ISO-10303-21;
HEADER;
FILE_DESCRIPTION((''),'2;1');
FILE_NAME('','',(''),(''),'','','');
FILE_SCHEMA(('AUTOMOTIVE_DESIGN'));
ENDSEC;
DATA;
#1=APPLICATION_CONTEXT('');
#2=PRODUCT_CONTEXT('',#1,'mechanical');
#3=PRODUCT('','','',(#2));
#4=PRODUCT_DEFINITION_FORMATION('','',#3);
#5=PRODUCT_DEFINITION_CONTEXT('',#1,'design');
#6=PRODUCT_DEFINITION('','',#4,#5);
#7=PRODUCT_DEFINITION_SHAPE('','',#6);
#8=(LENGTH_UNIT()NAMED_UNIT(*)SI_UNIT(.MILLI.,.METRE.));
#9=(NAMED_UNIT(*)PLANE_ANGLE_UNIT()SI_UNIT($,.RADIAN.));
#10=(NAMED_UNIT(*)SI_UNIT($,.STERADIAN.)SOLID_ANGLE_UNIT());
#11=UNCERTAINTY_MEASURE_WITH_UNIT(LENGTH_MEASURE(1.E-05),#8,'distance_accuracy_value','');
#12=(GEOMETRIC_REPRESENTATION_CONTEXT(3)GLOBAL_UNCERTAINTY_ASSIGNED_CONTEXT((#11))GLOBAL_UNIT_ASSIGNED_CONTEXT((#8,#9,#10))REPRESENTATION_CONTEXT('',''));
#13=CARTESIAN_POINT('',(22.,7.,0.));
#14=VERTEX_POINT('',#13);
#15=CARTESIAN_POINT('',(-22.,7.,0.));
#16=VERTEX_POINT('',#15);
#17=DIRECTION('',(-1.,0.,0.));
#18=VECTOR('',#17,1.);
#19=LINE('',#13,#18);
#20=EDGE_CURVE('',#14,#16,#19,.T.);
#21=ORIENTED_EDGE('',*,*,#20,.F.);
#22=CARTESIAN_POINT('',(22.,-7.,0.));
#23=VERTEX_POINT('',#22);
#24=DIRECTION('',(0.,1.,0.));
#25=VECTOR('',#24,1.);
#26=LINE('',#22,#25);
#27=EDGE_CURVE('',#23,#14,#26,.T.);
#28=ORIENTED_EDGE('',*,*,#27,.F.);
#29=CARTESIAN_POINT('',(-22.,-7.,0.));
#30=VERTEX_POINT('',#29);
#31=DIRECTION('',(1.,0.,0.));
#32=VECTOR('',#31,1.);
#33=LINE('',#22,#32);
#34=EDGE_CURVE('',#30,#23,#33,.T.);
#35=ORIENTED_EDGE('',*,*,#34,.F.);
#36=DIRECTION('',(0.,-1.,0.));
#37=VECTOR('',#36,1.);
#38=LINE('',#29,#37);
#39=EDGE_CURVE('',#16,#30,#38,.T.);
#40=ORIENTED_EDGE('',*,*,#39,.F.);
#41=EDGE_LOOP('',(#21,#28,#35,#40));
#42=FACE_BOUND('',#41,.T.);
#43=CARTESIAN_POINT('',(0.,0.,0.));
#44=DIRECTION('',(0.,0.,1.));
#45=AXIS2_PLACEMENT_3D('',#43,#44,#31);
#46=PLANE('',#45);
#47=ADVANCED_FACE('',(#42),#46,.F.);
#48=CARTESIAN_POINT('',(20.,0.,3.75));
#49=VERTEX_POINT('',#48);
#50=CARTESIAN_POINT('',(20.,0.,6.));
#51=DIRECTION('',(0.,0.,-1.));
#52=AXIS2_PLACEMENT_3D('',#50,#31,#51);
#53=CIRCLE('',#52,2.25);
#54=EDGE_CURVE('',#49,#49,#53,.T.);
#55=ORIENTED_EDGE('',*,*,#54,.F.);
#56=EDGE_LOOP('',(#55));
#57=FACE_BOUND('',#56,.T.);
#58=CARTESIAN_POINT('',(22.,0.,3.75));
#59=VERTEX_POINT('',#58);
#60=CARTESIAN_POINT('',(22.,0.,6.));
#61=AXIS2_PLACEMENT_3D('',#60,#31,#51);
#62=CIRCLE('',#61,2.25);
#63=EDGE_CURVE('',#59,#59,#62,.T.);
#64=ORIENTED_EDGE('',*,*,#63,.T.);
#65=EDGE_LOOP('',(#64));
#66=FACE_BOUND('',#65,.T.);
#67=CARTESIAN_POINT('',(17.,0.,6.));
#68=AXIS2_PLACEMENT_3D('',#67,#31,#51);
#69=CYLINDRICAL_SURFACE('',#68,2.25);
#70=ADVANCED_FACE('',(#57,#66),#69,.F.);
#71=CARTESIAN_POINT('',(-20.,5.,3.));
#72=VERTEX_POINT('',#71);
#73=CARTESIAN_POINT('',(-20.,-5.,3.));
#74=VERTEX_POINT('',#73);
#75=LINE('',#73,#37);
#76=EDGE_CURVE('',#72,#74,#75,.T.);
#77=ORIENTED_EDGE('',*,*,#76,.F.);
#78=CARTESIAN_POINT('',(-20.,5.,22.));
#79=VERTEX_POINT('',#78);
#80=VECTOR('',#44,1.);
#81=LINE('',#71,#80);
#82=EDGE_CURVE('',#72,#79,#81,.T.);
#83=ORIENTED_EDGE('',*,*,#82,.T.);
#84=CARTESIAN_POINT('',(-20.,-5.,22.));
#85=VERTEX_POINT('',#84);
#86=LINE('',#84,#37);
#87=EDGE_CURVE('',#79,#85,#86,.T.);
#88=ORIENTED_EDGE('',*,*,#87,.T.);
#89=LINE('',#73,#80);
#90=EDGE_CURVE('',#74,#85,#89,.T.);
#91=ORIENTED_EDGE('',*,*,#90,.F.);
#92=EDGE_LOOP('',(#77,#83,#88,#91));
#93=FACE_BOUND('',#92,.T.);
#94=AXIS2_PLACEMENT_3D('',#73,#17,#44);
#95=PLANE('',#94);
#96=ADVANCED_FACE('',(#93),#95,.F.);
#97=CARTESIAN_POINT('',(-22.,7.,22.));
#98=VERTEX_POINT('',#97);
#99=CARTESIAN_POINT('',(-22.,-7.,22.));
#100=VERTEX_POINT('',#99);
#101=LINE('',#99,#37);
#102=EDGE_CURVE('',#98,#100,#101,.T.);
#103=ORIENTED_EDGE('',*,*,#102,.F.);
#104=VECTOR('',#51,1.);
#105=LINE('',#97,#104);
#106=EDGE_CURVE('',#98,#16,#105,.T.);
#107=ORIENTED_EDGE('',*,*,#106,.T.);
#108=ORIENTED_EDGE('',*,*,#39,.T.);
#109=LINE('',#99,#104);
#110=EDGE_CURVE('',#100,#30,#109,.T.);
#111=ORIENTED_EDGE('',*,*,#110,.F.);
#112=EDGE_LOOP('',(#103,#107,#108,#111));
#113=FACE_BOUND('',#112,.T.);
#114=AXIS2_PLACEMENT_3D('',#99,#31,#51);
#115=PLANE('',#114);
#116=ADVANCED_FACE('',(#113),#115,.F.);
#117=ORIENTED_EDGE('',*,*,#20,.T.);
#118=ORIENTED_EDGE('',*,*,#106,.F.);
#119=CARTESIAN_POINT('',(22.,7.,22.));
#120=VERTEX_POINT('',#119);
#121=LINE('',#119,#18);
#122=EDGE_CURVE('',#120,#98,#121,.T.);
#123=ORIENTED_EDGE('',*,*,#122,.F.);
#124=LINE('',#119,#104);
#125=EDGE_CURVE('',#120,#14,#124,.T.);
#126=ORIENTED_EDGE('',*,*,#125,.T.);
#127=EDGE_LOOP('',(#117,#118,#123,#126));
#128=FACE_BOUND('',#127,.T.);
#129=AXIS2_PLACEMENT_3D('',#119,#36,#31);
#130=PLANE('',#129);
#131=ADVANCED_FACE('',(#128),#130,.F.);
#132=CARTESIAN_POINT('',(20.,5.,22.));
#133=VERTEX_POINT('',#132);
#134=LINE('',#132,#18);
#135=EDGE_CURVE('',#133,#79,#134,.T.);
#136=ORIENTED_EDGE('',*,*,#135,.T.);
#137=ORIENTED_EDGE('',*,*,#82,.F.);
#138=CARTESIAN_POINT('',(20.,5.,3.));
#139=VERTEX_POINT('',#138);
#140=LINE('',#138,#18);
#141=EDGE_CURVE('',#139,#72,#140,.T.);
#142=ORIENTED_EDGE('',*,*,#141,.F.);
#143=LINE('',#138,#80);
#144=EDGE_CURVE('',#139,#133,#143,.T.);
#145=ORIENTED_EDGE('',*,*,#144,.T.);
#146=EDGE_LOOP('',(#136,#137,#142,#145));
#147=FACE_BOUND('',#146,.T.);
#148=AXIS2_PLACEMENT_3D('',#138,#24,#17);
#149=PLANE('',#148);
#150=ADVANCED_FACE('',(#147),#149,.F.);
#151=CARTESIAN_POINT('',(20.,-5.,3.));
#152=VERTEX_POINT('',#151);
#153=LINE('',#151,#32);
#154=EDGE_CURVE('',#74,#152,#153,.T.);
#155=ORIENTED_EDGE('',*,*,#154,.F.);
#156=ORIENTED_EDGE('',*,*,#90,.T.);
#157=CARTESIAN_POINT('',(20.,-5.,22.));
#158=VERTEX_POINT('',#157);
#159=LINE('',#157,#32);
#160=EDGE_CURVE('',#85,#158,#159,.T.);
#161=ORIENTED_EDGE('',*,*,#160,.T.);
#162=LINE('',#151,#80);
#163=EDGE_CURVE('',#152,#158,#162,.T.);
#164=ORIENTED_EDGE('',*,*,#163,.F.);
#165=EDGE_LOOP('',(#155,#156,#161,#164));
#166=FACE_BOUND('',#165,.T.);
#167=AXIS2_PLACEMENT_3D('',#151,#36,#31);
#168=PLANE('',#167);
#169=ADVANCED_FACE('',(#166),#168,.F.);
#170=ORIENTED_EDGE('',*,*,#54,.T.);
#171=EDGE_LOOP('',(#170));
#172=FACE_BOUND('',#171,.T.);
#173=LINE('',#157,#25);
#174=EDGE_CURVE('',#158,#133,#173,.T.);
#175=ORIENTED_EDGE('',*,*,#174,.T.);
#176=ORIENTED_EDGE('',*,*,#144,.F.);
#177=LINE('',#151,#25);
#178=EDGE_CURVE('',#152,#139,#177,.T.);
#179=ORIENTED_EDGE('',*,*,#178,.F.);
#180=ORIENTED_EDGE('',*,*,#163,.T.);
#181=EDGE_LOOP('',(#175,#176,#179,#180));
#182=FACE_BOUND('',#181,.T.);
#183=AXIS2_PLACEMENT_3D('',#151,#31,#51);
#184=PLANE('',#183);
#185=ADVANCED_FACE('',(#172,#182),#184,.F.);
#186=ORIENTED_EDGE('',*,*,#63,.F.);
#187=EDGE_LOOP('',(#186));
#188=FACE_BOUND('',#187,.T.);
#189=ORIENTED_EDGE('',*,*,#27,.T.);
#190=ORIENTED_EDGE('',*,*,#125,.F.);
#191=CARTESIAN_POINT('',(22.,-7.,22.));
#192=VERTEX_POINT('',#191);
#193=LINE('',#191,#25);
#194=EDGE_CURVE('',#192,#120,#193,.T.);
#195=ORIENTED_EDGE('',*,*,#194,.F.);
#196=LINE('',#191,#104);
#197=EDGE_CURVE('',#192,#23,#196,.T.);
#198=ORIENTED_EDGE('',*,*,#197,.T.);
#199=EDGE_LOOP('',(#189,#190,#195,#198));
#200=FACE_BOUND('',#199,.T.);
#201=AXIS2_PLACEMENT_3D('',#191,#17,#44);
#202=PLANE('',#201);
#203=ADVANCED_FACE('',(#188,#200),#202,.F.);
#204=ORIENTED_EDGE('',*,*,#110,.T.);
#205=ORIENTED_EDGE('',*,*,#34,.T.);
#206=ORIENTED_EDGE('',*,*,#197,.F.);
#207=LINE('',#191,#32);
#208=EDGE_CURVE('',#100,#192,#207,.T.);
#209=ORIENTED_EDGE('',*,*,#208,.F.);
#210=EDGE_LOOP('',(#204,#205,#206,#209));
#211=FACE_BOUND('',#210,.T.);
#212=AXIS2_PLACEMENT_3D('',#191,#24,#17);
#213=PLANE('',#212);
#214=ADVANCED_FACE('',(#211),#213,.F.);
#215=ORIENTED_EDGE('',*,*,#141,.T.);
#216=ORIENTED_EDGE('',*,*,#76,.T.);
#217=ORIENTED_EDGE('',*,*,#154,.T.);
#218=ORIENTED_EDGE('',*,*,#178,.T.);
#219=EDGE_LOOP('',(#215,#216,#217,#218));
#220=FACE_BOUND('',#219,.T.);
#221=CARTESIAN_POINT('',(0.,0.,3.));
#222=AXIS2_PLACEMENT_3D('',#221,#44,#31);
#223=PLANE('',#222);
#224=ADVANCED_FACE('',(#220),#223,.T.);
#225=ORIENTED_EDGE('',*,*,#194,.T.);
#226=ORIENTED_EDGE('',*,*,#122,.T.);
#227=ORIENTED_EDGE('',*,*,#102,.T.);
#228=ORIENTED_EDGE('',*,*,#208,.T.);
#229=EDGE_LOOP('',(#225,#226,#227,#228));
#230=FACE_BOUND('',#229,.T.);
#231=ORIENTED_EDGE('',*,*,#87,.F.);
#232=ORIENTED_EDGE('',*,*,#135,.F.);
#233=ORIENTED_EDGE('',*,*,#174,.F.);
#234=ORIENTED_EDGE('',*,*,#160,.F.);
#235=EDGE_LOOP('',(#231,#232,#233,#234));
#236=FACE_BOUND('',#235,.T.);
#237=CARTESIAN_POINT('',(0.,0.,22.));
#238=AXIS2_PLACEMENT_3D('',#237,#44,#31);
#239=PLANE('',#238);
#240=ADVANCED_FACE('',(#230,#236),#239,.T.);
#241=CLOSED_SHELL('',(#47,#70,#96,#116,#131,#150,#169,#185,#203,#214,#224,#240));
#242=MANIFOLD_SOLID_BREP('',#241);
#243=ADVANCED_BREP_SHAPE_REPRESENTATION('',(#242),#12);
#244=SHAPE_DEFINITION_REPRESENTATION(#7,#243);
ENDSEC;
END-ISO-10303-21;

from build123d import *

# Parameters (mm, degrees)
ESBO_O1_W                = 44
ESBO_O1_H                = 14
RESSALTO_EXTRUS_O1_DEPTH = 22
ESBO_O2_W                = 40
ESBO_O2_H                = 10
CORTE_EXTRUS_O1_DEPTH    = 19
ESBO_O3_R                = 2.25
CORTE_EXTRUS_O2_DEPTH    = 5


with BuildPart() as part:
    # Esboço1 → Ressalto-extrusão1 (new body)
    with BuildSketch(Plane.XY):
        Rectangle(ESBO_O1_W, ESBO_O1_H)
    extrude(amount=RESSALTO_EXTRUS_O1_DEPTH)

    # Esboço2 → Corte-extrusão1 (cut)
    with BuildSketch(Plane.XY.offset(22)):
        Rectangle(ESBO_O2_W, ESBO_O2_H)
    extrude(amount=-CORTE_EXTRUS_O1_DEPTH, mode=Mode.SUBTRACT)

    # Esboço3 → Corte-extrusão2 (cut)
    with BuildSketch(Plane(origin=(22, 0, 0), x_dir=(0, 0, -1), z_dir=(1, 0, 0))):
        with Locations((-6, 0)):
            Circle(ESBO_O3_R)
    extrude(amount=-CORTE_EXTRUS_O2_DEPTH, mode=Mode.SUBTRACT)


solid = part.part
